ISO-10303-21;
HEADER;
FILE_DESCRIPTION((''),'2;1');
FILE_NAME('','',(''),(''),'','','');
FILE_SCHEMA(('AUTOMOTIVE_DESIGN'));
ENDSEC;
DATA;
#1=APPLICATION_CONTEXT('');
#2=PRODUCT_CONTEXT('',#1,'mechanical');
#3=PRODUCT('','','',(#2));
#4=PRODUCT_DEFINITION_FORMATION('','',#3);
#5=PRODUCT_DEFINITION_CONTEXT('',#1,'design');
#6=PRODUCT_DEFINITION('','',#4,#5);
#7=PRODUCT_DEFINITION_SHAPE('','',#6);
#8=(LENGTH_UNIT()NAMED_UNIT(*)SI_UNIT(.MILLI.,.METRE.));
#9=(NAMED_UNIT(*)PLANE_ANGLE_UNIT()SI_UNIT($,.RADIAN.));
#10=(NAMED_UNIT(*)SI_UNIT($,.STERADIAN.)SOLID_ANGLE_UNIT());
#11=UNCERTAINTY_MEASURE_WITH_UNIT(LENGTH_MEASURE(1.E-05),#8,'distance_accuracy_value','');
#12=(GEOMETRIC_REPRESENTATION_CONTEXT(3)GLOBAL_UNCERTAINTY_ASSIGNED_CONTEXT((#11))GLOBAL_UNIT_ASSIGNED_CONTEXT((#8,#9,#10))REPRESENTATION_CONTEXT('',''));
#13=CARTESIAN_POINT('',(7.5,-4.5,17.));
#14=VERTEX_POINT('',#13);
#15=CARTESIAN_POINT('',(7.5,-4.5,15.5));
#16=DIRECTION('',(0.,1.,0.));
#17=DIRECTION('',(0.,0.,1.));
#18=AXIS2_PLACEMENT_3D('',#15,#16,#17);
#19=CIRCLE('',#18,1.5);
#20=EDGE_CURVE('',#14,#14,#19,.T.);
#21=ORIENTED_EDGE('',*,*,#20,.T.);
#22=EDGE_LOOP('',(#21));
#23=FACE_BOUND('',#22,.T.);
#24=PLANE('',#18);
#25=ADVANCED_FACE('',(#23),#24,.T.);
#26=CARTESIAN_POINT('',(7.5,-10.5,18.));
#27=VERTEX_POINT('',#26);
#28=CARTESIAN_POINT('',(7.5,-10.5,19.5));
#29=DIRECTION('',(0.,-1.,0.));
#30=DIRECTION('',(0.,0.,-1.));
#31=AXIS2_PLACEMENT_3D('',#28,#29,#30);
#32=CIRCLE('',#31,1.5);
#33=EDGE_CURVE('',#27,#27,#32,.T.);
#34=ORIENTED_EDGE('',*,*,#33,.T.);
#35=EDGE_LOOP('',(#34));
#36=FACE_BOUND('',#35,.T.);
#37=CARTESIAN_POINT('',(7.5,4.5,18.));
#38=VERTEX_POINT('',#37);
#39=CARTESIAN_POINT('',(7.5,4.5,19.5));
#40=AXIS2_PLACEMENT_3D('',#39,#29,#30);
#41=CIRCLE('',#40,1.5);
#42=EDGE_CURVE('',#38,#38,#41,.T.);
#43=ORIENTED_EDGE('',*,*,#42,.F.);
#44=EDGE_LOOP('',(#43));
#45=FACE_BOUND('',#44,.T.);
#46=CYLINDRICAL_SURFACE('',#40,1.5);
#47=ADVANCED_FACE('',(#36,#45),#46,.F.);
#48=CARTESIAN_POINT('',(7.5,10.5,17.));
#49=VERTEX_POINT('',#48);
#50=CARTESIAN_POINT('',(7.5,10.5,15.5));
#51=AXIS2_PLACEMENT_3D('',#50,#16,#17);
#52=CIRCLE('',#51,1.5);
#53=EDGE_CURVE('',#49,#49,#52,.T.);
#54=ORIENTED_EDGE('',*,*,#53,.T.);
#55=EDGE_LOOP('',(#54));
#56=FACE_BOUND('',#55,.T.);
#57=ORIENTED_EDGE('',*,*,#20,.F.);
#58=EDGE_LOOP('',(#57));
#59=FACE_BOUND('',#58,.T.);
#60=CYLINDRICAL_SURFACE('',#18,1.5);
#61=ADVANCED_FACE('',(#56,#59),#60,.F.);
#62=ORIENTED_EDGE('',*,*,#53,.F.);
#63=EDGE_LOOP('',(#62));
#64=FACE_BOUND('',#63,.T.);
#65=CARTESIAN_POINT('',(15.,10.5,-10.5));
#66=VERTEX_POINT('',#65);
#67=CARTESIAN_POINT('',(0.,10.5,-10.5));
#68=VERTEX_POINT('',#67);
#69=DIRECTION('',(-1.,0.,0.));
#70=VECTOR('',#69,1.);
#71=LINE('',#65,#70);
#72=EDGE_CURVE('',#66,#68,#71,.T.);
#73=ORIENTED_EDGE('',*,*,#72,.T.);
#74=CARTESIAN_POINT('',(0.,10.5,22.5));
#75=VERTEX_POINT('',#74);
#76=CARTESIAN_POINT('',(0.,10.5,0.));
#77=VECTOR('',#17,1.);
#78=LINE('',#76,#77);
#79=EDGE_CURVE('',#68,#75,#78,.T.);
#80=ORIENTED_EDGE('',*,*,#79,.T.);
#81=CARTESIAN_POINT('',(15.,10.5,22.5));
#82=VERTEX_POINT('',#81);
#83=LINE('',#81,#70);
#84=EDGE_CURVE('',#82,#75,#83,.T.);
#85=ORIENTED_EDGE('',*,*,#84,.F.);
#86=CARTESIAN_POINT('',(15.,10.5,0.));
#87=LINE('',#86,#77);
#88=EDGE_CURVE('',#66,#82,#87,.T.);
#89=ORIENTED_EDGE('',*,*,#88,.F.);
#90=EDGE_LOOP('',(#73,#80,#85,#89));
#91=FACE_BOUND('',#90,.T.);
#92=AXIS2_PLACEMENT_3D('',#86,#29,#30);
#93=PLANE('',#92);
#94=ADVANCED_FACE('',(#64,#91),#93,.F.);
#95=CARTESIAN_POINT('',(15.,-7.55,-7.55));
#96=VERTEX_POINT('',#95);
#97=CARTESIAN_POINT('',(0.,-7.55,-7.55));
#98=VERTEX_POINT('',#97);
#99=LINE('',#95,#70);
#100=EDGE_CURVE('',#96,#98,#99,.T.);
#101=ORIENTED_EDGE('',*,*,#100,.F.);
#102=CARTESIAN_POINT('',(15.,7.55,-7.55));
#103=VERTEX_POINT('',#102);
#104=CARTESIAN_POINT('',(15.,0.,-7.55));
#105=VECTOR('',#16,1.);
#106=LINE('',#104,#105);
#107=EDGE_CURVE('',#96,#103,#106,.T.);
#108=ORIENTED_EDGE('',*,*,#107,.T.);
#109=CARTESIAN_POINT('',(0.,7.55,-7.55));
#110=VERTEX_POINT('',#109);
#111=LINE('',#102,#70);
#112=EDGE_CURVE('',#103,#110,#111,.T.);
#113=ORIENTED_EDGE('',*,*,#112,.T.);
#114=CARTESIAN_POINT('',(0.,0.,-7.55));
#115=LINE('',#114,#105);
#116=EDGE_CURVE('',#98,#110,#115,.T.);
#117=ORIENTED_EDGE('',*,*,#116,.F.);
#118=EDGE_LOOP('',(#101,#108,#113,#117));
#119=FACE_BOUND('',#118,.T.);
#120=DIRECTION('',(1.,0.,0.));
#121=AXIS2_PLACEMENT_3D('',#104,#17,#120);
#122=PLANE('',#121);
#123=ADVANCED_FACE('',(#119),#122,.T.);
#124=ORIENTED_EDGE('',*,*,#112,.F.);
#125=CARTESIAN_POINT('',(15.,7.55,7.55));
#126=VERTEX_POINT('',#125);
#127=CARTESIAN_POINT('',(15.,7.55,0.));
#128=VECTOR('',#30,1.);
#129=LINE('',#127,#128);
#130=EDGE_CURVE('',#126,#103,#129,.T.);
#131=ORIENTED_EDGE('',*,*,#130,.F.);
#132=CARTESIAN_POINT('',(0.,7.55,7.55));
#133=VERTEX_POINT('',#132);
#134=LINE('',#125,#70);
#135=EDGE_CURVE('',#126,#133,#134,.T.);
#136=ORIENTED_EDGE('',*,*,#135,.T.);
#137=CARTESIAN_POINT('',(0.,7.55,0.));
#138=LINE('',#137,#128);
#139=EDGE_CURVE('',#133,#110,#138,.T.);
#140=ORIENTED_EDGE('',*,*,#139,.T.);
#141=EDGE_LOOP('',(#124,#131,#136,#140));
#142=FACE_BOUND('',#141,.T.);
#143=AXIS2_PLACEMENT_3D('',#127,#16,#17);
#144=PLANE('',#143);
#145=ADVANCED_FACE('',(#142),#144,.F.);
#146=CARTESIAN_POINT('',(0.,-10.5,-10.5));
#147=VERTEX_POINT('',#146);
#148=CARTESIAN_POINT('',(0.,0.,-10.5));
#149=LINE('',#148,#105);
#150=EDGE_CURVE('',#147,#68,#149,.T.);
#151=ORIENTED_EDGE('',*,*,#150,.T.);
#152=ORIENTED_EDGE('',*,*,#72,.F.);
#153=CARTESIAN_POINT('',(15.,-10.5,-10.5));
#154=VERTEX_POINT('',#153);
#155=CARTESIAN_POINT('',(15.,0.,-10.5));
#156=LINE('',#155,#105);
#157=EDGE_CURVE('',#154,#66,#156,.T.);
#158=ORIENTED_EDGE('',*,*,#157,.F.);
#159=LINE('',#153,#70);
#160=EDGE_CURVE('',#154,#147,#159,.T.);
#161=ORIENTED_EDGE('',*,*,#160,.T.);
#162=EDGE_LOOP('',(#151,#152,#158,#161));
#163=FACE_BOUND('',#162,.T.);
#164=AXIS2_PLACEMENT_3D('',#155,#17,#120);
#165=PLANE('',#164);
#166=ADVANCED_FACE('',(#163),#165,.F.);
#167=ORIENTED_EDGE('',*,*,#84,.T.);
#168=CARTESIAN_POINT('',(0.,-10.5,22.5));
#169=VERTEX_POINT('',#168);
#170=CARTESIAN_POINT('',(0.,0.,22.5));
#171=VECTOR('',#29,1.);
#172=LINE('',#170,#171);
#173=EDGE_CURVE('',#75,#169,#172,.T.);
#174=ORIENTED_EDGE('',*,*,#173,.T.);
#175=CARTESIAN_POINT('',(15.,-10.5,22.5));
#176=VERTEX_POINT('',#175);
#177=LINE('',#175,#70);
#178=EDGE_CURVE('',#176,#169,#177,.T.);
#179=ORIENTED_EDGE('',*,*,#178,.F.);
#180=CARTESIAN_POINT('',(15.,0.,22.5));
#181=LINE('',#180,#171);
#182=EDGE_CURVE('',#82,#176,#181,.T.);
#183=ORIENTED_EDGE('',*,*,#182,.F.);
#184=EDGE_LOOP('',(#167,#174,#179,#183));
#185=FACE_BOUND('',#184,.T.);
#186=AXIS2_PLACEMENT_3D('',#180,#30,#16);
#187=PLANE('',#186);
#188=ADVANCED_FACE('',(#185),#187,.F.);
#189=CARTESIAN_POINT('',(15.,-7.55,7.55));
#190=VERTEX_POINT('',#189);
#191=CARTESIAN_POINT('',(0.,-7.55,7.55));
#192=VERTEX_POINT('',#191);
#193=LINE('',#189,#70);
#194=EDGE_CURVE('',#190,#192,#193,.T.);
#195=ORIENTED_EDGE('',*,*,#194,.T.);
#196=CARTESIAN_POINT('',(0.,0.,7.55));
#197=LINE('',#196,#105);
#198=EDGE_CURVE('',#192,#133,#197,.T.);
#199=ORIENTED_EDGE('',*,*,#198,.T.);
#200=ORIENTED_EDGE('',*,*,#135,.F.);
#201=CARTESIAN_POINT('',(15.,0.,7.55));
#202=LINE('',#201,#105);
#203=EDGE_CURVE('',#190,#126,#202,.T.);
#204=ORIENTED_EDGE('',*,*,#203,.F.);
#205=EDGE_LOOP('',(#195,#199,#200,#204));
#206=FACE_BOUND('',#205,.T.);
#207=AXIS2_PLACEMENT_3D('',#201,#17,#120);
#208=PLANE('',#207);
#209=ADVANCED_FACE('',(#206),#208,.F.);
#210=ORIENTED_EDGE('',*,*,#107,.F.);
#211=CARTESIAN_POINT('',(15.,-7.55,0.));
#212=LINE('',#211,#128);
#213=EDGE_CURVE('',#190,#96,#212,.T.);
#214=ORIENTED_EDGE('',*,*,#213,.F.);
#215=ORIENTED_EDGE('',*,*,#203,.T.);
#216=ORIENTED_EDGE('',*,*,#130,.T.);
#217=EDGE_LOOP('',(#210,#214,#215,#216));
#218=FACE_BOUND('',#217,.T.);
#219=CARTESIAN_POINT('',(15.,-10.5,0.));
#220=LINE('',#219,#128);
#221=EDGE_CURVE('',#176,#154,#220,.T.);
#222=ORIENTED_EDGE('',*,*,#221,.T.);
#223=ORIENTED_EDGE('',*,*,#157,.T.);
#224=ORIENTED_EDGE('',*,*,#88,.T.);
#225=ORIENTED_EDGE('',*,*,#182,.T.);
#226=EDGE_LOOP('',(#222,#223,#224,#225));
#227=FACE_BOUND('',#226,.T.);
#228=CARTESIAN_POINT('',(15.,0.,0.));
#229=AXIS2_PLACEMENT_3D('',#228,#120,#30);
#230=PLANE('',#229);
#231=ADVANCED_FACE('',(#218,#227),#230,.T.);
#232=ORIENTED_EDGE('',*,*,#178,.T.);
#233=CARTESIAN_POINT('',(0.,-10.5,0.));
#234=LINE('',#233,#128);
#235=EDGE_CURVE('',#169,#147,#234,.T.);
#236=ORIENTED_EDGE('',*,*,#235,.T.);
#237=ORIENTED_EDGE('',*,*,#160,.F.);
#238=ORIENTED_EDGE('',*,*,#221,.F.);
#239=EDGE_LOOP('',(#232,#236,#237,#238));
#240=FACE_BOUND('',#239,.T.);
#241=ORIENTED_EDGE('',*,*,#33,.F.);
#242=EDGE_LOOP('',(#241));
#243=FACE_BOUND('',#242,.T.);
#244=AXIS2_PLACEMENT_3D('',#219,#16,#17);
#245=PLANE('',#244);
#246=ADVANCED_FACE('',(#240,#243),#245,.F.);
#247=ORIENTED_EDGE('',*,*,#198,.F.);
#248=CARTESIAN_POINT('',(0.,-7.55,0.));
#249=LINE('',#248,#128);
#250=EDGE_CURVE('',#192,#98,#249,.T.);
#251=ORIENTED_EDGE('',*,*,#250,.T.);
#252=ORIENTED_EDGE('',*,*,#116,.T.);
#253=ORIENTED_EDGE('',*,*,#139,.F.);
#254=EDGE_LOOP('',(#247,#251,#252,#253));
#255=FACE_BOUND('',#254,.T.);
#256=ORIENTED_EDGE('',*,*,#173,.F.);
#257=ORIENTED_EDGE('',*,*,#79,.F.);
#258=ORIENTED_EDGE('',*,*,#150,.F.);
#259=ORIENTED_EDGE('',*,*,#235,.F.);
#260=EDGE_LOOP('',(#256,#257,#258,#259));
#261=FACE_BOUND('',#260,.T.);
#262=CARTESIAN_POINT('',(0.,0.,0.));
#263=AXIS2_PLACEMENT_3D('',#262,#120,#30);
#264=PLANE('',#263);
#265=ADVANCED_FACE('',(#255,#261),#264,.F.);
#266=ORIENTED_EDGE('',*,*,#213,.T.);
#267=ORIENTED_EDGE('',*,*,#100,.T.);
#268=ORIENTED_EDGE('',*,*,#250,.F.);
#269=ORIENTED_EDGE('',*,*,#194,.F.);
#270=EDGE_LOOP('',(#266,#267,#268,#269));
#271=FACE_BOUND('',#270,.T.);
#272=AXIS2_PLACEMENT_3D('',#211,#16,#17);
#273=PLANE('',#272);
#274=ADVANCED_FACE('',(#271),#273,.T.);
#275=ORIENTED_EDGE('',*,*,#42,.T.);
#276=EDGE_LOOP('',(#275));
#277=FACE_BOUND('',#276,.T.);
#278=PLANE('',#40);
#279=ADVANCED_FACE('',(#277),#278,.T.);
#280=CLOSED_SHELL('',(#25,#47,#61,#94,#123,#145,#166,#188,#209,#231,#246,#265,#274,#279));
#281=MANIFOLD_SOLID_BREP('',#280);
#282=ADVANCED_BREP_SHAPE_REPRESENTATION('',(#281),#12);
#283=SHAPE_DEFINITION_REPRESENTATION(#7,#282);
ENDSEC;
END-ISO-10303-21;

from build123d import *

# Parameters (mm, degrees)
SCHIZZO1_W                   = 12
SCHIZZO1_H                   = 21
SCHIZZO1_W_2                 = 21
SCHIZZO1_W_3                 = 15.1
SCHIZZO1_H_2                 = 15.1
ESTRUSIONE_ESTRUSIONE1_DEPTH = 15
SCHIZZO2_R                   = 1.5
TAGLIO_ESTRUSIONE1_DEPTH     = 15
SCHIZZO3_R                   = 1.5
TAGLIO_ESTRUSIONE2_DEPTH     = 15


with BuildPart() as part:
    # Schizzo1 → Estrusione-Estrusione1 (new body)
    # profile 1 of 2: a face of its own
    with BuildSketch(Plane(origin=(0, 0, 0), x_dir=(0, 0, -1), z_dir=(1, 0, 0))):
        with Locations((-16.5, 0)):
            Rectangle(SCHIZZO1_W, SCHIZZO1_H)
    # profile 2 of 2: a face of its own
    with BuildSketch(Plane(origin=(0, 0, 0), x_dir=(0, 0, -1), z_dir=(1, 0, 0))):
        Rectangle(SCHIZZO1_W_2, SCHIZZO1_H)
        Rectangle(SCHIZZO1_W_3, SCHIZZO1_H_2, mode=Mode.SUBTRACT)
    extrude(amount=ESTRUSIONE_ESTRUSIONE1_DEPTH)

    # Schizzo2 → Taglio-Estrusione1 (cut)
    with BuildSketch(Plane(origin=(0, 10.5, 0), x_dir=(1, 0, 0), z_dir=(0, 1, 0))):
        with Locations(Location((7.5, -15.5, 0), (0, 0, 270))):
            Circle(SCHIZZO2_R)
    extrude(amount=-TAGLIO_ESTRUSIONE1_DEPTH, mode=Mode.SUBTRACT)

    # Schizzo3 → Taglio-Estrusione2 (cut)
    with BuildSketch(Plane.XZ.offset(10.5)):
        with Locations(Location((7.5, 19.5, 0), (0, 0, 270))):
            Circle(SCHIZZO3_R)
    extrude(amount=-TAGLIO_ESTRUSIONE2_DEPTH, mode=Mode.SUBTRACT)


solid = part.part
